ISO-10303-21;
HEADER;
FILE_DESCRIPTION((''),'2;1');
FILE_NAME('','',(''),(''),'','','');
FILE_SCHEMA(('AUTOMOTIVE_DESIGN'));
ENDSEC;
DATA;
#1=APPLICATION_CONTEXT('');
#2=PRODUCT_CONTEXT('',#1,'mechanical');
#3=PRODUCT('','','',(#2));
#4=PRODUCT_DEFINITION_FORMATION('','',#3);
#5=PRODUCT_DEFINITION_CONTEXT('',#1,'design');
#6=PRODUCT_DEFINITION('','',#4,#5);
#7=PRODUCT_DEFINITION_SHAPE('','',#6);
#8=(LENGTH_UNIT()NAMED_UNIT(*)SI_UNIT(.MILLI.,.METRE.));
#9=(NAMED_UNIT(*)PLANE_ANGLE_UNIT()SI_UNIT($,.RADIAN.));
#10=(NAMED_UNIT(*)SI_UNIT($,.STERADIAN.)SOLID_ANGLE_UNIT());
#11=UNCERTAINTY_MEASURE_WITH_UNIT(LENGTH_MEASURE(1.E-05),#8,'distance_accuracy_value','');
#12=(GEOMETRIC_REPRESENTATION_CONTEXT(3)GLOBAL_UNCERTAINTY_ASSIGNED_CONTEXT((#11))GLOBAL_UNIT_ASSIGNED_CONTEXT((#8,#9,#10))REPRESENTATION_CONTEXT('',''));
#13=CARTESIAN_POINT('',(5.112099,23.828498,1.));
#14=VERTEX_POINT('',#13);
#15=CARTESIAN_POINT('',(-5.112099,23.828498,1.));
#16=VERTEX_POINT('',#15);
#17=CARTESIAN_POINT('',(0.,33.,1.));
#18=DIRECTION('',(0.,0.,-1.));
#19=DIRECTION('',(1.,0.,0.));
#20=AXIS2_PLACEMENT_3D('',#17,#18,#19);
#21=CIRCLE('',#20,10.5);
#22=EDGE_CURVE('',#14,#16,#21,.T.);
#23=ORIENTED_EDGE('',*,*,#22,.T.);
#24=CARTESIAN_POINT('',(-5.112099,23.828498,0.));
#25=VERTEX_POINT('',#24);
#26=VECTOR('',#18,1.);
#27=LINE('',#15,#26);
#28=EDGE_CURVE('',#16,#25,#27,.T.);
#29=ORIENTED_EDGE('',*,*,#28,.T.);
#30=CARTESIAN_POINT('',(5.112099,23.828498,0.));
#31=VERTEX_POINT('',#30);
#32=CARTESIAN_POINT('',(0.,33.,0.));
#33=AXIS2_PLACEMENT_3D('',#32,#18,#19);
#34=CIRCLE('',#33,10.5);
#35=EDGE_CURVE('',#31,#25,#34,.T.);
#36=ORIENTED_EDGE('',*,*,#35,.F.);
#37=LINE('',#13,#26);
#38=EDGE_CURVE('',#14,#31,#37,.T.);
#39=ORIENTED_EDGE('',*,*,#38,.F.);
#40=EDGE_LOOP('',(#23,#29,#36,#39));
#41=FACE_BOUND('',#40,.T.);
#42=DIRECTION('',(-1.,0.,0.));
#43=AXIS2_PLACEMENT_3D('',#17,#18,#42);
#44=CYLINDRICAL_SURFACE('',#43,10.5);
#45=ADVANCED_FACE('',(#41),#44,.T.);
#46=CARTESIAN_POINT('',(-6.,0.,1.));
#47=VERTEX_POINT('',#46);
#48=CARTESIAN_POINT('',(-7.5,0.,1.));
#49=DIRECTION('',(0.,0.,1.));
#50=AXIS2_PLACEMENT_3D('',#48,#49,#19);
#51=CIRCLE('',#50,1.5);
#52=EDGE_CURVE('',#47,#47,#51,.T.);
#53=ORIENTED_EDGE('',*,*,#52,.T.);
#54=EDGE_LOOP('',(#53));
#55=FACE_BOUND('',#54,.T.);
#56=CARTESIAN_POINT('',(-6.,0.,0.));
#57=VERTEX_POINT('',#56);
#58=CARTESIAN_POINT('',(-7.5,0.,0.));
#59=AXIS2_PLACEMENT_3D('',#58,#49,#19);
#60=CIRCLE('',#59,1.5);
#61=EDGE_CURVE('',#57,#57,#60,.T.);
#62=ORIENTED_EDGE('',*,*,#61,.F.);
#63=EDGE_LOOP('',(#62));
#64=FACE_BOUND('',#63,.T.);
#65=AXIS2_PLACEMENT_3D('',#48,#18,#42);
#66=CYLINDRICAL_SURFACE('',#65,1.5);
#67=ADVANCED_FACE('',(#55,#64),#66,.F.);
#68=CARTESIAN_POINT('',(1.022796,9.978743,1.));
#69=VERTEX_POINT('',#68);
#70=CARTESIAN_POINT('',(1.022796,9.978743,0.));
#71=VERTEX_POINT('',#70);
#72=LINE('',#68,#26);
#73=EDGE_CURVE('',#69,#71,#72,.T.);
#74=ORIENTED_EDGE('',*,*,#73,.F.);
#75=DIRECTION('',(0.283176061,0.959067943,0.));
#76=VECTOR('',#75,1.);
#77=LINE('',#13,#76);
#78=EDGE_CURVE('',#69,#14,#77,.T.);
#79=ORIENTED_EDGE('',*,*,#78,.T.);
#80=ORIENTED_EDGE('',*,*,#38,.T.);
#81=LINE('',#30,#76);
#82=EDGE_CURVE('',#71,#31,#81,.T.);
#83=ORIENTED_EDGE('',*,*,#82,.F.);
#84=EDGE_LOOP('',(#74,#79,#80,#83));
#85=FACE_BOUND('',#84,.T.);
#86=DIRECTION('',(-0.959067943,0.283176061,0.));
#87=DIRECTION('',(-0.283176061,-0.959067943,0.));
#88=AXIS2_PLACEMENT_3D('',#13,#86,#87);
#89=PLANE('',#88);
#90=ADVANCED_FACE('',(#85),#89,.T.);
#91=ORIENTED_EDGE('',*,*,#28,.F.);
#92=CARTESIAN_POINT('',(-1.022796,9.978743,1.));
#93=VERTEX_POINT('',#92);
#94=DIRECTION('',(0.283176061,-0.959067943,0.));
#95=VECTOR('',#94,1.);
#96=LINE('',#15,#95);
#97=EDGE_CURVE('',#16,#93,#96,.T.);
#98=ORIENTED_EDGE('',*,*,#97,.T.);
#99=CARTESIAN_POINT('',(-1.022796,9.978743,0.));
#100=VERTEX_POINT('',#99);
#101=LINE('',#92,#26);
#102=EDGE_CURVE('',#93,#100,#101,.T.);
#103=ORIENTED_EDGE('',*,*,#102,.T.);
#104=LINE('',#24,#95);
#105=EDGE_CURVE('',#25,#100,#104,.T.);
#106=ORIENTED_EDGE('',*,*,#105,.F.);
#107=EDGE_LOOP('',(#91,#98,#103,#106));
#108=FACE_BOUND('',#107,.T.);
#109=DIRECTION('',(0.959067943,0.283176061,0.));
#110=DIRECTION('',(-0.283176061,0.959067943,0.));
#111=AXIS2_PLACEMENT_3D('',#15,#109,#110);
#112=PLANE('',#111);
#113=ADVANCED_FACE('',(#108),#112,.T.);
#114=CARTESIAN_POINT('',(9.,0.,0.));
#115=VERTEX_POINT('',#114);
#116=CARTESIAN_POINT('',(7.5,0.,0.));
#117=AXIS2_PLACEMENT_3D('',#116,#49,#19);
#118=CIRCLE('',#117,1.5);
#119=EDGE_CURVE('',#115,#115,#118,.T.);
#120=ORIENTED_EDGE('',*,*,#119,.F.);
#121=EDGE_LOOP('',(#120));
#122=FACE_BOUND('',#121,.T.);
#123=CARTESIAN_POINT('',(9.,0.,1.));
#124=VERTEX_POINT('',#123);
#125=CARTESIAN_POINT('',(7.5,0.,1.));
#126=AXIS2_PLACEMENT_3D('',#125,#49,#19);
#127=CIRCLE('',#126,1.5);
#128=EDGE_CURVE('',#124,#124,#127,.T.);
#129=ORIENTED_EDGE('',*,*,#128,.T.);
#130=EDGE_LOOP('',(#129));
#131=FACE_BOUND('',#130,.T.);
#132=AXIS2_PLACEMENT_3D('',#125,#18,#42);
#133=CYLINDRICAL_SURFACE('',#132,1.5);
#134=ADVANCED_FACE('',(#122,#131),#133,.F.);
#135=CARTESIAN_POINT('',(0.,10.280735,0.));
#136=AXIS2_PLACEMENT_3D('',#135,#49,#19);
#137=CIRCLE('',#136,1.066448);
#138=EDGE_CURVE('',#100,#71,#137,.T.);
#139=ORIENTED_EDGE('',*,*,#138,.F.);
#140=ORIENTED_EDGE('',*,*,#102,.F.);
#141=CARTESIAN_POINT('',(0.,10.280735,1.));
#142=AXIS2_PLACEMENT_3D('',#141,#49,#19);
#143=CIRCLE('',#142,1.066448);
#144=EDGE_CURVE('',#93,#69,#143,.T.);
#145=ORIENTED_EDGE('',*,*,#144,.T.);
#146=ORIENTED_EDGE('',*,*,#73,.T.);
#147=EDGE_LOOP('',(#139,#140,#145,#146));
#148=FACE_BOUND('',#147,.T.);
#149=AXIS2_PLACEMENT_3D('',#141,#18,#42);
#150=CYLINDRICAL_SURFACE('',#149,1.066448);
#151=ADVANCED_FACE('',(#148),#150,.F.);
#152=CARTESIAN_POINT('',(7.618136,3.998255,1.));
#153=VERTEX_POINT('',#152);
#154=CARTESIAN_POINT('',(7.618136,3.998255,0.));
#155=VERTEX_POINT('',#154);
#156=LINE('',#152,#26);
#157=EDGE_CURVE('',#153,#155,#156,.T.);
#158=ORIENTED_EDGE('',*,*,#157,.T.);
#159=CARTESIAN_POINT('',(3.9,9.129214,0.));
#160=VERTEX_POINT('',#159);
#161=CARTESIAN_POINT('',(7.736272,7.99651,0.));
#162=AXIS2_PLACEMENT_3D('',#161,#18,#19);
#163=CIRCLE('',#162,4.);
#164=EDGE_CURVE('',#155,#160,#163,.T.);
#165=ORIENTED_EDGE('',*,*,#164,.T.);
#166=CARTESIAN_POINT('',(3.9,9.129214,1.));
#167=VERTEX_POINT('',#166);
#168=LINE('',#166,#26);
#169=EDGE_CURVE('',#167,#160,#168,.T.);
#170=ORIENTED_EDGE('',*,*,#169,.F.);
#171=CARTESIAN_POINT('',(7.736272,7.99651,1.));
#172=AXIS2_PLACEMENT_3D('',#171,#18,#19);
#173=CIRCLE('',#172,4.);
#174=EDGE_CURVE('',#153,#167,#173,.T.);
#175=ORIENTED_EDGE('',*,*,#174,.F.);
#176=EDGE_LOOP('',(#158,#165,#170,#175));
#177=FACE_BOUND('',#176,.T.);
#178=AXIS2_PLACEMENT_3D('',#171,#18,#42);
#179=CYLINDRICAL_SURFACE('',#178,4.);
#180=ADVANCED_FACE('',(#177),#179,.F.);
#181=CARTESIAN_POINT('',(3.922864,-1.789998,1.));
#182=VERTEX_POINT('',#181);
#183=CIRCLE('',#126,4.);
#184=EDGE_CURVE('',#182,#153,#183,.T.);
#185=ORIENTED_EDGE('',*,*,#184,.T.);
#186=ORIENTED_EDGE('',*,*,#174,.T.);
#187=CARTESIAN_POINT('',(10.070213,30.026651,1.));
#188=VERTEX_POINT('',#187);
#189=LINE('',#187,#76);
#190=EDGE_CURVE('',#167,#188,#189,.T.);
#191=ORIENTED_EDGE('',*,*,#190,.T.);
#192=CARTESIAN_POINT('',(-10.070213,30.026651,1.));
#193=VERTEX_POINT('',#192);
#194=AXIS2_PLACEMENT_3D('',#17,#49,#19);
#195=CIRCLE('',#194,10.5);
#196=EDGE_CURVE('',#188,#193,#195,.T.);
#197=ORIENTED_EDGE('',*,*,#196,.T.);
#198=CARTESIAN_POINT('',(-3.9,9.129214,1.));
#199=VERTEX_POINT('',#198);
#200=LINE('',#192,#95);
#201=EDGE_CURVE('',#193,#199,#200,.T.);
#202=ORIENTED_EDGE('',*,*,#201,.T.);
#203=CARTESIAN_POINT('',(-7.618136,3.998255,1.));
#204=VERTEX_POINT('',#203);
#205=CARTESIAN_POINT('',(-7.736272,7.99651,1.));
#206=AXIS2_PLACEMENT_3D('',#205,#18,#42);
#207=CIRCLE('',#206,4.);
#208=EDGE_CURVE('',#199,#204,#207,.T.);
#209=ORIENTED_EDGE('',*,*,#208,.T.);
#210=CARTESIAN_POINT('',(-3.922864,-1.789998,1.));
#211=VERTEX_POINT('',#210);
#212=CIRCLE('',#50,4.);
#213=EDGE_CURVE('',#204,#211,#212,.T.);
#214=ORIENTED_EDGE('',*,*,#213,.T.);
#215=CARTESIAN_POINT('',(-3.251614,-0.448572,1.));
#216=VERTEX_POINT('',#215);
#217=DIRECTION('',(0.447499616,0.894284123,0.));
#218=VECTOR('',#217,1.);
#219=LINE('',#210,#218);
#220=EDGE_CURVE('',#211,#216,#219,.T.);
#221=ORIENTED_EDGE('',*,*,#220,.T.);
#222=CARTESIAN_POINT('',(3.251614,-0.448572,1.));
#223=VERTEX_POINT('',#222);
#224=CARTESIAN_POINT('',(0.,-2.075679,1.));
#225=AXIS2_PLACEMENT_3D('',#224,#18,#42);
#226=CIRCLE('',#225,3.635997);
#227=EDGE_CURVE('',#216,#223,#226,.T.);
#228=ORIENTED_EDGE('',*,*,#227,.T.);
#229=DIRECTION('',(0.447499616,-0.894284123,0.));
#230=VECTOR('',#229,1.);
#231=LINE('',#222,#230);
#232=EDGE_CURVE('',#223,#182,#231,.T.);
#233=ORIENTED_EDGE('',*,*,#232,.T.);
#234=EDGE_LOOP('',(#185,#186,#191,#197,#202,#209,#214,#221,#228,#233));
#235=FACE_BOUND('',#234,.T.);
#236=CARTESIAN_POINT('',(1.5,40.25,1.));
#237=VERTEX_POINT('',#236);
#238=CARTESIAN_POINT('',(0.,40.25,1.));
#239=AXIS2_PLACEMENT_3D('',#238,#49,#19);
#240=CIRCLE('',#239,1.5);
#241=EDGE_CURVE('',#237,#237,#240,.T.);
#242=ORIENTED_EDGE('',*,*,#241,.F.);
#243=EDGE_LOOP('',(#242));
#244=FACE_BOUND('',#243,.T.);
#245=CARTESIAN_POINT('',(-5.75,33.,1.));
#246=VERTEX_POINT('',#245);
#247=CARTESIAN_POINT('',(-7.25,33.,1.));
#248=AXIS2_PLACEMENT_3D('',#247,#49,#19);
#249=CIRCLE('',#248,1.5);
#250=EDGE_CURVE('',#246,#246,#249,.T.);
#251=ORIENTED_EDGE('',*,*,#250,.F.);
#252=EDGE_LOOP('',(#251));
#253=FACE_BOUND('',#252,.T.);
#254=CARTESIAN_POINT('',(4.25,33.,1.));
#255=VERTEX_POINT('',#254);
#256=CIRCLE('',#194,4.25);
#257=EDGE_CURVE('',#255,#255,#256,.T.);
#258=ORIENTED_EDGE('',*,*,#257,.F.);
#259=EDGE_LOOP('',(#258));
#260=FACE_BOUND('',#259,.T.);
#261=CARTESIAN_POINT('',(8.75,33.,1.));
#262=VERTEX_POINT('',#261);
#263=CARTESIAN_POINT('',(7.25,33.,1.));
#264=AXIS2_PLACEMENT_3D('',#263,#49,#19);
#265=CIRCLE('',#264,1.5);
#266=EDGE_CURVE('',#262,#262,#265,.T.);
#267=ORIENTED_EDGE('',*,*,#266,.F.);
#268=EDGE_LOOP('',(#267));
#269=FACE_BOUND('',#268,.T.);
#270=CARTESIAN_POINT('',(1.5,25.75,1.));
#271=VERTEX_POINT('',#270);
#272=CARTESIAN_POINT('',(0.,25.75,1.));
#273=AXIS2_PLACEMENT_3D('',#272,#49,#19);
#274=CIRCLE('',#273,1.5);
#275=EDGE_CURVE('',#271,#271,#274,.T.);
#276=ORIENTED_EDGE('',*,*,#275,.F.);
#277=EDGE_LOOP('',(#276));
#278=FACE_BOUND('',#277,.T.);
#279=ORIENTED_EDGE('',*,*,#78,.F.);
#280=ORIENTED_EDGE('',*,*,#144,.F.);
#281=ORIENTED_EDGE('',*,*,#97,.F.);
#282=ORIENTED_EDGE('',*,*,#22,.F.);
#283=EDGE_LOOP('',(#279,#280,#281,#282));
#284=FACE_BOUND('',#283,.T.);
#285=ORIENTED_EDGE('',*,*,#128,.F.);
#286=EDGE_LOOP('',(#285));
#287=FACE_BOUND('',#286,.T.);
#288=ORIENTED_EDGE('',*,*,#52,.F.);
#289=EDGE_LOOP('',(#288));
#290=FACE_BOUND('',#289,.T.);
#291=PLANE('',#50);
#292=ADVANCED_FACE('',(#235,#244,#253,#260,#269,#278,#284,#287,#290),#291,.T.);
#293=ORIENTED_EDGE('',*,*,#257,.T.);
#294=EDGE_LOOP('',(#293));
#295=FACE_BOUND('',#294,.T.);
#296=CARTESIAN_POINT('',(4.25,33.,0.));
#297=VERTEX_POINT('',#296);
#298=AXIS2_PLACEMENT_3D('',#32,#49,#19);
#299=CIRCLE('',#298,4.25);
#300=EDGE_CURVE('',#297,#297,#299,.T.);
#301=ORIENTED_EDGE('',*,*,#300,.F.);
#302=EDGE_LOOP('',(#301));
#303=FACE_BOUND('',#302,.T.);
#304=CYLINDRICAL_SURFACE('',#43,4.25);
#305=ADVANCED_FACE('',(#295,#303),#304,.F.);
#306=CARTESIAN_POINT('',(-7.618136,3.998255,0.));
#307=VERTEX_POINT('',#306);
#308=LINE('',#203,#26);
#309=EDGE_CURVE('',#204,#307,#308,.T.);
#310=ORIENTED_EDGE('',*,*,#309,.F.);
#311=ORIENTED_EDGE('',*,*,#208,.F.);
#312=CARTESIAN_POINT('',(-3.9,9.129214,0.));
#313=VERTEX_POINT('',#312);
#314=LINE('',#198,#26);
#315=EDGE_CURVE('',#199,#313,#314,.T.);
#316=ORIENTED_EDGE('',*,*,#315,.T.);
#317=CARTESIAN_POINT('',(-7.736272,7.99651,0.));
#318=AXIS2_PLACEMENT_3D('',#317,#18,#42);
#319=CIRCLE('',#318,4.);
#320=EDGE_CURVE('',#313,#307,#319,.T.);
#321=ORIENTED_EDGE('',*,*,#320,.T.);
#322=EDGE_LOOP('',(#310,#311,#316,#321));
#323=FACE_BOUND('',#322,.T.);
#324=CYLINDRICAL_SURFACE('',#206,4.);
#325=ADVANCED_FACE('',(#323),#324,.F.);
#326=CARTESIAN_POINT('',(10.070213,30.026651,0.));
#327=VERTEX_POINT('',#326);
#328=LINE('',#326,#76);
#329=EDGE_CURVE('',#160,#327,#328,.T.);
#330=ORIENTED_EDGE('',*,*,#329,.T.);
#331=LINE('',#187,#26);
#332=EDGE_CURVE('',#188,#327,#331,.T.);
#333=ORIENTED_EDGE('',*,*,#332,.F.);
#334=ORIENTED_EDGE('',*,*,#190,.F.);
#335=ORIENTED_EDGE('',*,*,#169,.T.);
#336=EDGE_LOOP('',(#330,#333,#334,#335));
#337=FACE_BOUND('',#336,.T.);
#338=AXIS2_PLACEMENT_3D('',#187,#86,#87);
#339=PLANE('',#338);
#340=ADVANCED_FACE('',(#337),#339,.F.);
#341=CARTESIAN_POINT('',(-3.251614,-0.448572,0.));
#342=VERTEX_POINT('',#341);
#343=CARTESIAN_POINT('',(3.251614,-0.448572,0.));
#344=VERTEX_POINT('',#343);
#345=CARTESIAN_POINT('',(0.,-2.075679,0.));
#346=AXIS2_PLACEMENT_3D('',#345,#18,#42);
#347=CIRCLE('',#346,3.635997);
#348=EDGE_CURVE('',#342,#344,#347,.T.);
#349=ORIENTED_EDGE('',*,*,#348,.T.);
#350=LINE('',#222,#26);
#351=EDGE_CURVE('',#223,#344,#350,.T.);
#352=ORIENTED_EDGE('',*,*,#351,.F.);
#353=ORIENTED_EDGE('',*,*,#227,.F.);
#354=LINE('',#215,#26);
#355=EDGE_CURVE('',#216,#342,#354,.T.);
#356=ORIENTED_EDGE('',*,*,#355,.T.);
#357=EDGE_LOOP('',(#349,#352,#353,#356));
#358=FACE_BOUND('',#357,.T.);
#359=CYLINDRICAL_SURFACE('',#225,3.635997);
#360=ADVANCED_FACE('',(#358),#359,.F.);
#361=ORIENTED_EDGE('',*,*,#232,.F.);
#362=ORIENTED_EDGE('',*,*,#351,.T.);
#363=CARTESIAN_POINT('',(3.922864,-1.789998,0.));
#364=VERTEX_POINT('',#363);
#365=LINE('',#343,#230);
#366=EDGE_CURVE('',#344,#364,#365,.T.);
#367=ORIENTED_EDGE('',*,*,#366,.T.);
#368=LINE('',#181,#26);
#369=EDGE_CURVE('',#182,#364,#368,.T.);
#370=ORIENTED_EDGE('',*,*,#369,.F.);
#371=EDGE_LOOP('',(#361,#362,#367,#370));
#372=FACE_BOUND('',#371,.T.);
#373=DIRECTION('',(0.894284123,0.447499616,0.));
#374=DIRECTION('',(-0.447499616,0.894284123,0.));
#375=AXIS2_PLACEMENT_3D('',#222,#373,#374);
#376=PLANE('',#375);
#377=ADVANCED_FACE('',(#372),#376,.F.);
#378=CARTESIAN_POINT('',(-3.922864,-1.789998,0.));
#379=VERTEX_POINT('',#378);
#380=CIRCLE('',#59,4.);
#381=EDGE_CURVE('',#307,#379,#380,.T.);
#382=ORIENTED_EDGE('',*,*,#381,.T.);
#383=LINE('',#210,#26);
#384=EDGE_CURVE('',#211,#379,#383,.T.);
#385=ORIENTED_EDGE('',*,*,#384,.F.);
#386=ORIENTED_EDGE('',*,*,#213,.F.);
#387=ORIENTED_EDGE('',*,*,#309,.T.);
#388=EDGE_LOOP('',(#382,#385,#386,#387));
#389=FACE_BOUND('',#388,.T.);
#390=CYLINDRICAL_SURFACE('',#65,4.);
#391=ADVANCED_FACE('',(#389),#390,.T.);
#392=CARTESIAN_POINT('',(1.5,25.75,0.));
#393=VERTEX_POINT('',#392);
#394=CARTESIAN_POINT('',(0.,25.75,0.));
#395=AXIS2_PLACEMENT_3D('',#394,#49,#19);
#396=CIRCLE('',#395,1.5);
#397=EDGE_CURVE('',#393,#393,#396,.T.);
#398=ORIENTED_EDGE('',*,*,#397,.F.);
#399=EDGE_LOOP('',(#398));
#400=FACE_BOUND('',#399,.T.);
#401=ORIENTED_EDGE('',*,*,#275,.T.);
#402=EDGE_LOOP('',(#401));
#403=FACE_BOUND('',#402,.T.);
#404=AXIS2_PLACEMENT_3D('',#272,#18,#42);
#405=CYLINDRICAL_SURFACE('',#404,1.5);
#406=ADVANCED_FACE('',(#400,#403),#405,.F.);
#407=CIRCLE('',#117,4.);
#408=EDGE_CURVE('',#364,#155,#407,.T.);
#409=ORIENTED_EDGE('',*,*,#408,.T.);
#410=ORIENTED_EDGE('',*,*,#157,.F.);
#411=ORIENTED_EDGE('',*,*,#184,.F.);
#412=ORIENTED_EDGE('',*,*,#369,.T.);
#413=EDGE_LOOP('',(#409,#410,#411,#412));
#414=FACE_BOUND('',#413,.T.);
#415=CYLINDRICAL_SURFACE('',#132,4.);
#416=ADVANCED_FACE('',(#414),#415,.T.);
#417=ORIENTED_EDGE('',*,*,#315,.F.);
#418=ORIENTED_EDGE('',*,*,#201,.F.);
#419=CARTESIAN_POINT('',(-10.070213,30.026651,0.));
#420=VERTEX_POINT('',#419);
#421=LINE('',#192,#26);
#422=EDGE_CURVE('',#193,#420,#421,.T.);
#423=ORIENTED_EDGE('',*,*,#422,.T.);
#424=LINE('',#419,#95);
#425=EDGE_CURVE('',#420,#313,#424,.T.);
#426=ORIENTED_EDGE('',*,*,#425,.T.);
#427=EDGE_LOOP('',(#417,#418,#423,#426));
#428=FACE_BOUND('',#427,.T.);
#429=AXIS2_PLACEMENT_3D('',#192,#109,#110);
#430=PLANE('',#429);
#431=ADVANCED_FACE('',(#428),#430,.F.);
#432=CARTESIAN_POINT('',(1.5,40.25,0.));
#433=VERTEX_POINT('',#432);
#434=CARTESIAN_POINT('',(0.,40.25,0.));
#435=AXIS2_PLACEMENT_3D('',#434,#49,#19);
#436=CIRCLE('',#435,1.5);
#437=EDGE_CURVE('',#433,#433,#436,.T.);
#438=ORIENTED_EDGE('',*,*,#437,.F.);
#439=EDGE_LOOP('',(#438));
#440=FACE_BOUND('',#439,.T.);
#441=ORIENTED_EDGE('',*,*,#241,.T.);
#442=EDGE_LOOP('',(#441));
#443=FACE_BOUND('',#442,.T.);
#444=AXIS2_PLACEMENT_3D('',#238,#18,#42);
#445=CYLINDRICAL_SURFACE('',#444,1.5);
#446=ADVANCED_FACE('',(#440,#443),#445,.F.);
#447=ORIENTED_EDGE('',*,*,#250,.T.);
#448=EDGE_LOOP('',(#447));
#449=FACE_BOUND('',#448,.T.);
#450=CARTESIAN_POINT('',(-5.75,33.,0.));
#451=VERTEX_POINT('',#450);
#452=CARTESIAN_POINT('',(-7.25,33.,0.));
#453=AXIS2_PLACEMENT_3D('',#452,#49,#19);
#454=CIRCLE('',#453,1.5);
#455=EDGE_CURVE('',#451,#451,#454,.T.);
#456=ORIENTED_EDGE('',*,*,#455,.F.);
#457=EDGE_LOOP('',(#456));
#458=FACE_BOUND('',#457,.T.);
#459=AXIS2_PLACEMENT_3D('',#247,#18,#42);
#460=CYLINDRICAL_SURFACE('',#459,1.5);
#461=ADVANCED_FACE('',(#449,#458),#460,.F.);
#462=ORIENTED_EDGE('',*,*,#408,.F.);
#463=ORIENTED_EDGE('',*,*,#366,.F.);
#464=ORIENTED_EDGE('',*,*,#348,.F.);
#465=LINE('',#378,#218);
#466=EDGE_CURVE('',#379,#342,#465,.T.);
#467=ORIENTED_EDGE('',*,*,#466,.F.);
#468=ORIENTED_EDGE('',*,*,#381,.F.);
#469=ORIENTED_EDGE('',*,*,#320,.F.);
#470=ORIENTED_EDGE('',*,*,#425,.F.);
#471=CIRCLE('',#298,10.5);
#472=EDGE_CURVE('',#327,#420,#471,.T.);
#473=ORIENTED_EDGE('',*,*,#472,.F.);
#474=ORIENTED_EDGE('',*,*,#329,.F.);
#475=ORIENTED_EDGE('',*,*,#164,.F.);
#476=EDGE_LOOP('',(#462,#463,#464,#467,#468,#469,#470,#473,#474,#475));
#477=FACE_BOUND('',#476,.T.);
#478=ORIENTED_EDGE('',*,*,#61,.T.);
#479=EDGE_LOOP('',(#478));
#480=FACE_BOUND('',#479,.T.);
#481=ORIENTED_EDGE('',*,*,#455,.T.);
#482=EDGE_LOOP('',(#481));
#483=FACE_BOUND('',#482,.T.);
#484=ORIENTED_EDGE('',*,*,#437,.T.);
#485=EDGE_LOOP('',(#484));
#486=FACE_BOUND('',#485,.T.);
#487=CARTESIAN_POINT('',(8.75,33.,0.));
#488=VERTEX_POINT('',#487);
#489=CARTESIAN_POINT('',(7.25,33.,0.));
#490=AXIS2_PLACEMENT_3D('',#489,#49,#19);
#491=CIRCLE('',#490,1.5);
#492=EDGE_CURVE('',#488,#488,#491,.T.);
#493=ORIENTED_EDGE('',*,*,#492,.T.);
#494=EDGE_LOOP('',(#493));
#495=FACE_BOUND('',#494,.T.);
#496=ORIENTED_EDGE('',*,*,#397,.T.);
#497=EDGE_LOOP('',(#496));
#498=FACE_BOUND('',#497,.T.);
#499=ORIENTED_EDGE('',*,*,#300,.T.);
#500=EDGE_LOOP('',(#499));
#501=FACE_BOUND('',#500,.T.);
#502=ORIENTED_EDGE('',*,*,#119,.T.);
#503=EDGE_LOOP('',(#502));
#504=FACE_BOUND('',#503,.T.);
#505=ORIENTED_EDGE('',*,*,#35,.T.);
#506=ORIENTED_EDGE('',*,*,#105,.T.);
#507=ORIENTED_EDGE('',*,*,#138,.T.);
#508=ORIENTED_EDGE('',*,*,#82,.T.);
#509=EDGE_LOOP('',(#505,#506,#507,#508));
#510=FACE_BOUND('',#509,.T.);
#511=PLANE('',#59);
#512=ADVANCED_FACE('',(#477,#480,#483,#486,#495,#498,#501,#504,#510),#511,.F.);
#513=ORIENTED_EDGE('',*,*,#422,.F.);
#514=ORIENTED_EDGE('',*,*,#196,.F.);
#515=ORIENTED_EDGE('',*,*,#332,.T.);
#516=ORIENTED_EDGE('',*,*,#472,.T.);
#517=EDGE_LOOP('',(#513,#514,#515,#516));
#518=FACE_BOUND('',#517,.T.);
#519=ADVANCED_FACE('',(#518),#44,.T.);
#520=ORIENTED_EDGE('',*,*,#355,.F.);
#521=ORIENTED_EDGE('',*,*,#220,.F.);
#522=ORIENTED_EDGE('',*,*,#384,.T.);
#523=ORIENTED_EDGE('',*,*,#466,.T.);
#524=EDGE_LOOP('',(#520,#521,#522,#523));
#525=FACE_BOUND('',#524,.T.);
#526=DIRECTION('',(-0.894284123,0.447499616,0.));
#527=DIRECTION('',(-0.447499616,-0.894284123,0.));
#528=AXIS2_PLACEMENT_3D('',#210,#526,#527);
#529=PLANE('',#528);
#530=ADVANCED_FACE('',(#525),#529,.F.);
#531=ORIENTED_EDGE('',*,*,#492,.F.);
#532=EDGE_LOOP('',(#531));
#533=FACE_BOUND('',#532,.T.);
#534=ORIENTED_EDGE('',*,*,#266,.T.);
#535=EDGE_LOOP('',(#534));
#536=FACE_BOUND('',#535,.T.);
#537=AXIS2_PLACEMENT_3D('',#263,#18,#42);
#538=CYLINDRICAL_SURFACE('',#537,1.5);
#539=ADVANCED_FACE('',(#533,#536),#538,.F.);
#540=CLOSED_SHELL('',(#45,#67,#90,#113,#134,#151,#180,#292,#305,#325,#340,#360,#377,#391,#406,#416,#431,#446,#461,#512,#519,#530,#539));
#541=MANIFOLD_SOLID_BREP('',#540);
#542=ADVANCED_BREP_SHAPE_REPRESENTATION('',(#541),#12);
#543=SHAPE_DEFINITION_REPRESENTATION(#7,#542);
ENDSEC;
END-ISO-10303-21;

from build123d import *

# Parameters (mm, degrees)
SKETCH_1_R      = 1.5
SKETCH_1_R_2    = 4.25
EXTRUDE_1_DEPTH = 1


with BuildPart() as part:
    # 草图1 → 凸台-拉伸1 (new body)
    with BuildSketch(Plane.XY):
        with BuildLine():
            Line((-10.070213397, 30.026651359), (-3.9, 9.129214461))
            ThreePointArc((-3.9, 9.129214461), (-4.497287215, 5.649388777), (-7.618135885, 3.998255109))
            ThreePointArc((-7.618135885, 3.998255109), (-10.871519118, -2.152407684), (-3.922863507, -1.789998466))
            Line((-3.922863507, -1.789998466), (-3.251614082, -0.448572281))
            ThreePointArc((-3.251614082, -0.448572281), (0, 1.560317266), (3.251614082, -0.448572281))
            Line((3.251614082, -0.448572281), (3.922863507, -1.789998466))
            ThreePointArc((3.922863507, -1.789998466), (10.871519118, -2.152407684), (7.618135885, 3.998255109))
            ThreePointArc((7.618135885, 3.998255109), (4.497287215, 5.649388777), (3.9, 9.129214461))
            Line((3.9, 9.129214461), (10.070213397, 30.026651359))
            ThreePointArc((10.070213397, 30.026651359), (0, 43.5), (-10.070213397, 30.026651359))
        make_face()
        with Locations((-7.5, 0)):
            Circle(SKETCH_1_R, mode=Mode.SUBTRACT)
        with Locations((7.5, 0)):
            Circle(SKETCH_1_R, mode=Mode.SUBTRACT)
        with Locations((0, 33)):
            Circle(SKETCH_1_R_2, mode=Mode.SUBTRACT)
        with Locations((0, 40.25)):
            Circle(SKETCH_1_R, mode=Mode.SUBTRACT)
        with Locations((-7.25, 33)):
            Circle(SKETCH_1_R, mode=Mode.SUBTRACT)
        with Locations((0, 25.75)):
            Circle(SKETCH_1_R, mode=Mode.SUBTRACT)
        with Locations((7.25, 33)):
            Circle(SKETCH_1_R, mode=Mode.SUBTRACT)
        with BuildLine():
            Line((-5.112098998, 23.828498278), (-1.022796172, 9.978742645))
            ThreePointArc((-1.022796172, 9.978742645), (0, 9.214287127), (1.022796172, 9.978742645))
            Line((1.022796172, 9.978742645), (5.112098998, 23.828498278))
            ThreePointArc((5.112098998, 23.828498278), (0, 22.5), (-5.112098998, 23.828498278))
        make_face(mode=Mode.SUBTRACT)
    extrude(amount=EXTRUDE_1_DEPTH)


solid = part.part
